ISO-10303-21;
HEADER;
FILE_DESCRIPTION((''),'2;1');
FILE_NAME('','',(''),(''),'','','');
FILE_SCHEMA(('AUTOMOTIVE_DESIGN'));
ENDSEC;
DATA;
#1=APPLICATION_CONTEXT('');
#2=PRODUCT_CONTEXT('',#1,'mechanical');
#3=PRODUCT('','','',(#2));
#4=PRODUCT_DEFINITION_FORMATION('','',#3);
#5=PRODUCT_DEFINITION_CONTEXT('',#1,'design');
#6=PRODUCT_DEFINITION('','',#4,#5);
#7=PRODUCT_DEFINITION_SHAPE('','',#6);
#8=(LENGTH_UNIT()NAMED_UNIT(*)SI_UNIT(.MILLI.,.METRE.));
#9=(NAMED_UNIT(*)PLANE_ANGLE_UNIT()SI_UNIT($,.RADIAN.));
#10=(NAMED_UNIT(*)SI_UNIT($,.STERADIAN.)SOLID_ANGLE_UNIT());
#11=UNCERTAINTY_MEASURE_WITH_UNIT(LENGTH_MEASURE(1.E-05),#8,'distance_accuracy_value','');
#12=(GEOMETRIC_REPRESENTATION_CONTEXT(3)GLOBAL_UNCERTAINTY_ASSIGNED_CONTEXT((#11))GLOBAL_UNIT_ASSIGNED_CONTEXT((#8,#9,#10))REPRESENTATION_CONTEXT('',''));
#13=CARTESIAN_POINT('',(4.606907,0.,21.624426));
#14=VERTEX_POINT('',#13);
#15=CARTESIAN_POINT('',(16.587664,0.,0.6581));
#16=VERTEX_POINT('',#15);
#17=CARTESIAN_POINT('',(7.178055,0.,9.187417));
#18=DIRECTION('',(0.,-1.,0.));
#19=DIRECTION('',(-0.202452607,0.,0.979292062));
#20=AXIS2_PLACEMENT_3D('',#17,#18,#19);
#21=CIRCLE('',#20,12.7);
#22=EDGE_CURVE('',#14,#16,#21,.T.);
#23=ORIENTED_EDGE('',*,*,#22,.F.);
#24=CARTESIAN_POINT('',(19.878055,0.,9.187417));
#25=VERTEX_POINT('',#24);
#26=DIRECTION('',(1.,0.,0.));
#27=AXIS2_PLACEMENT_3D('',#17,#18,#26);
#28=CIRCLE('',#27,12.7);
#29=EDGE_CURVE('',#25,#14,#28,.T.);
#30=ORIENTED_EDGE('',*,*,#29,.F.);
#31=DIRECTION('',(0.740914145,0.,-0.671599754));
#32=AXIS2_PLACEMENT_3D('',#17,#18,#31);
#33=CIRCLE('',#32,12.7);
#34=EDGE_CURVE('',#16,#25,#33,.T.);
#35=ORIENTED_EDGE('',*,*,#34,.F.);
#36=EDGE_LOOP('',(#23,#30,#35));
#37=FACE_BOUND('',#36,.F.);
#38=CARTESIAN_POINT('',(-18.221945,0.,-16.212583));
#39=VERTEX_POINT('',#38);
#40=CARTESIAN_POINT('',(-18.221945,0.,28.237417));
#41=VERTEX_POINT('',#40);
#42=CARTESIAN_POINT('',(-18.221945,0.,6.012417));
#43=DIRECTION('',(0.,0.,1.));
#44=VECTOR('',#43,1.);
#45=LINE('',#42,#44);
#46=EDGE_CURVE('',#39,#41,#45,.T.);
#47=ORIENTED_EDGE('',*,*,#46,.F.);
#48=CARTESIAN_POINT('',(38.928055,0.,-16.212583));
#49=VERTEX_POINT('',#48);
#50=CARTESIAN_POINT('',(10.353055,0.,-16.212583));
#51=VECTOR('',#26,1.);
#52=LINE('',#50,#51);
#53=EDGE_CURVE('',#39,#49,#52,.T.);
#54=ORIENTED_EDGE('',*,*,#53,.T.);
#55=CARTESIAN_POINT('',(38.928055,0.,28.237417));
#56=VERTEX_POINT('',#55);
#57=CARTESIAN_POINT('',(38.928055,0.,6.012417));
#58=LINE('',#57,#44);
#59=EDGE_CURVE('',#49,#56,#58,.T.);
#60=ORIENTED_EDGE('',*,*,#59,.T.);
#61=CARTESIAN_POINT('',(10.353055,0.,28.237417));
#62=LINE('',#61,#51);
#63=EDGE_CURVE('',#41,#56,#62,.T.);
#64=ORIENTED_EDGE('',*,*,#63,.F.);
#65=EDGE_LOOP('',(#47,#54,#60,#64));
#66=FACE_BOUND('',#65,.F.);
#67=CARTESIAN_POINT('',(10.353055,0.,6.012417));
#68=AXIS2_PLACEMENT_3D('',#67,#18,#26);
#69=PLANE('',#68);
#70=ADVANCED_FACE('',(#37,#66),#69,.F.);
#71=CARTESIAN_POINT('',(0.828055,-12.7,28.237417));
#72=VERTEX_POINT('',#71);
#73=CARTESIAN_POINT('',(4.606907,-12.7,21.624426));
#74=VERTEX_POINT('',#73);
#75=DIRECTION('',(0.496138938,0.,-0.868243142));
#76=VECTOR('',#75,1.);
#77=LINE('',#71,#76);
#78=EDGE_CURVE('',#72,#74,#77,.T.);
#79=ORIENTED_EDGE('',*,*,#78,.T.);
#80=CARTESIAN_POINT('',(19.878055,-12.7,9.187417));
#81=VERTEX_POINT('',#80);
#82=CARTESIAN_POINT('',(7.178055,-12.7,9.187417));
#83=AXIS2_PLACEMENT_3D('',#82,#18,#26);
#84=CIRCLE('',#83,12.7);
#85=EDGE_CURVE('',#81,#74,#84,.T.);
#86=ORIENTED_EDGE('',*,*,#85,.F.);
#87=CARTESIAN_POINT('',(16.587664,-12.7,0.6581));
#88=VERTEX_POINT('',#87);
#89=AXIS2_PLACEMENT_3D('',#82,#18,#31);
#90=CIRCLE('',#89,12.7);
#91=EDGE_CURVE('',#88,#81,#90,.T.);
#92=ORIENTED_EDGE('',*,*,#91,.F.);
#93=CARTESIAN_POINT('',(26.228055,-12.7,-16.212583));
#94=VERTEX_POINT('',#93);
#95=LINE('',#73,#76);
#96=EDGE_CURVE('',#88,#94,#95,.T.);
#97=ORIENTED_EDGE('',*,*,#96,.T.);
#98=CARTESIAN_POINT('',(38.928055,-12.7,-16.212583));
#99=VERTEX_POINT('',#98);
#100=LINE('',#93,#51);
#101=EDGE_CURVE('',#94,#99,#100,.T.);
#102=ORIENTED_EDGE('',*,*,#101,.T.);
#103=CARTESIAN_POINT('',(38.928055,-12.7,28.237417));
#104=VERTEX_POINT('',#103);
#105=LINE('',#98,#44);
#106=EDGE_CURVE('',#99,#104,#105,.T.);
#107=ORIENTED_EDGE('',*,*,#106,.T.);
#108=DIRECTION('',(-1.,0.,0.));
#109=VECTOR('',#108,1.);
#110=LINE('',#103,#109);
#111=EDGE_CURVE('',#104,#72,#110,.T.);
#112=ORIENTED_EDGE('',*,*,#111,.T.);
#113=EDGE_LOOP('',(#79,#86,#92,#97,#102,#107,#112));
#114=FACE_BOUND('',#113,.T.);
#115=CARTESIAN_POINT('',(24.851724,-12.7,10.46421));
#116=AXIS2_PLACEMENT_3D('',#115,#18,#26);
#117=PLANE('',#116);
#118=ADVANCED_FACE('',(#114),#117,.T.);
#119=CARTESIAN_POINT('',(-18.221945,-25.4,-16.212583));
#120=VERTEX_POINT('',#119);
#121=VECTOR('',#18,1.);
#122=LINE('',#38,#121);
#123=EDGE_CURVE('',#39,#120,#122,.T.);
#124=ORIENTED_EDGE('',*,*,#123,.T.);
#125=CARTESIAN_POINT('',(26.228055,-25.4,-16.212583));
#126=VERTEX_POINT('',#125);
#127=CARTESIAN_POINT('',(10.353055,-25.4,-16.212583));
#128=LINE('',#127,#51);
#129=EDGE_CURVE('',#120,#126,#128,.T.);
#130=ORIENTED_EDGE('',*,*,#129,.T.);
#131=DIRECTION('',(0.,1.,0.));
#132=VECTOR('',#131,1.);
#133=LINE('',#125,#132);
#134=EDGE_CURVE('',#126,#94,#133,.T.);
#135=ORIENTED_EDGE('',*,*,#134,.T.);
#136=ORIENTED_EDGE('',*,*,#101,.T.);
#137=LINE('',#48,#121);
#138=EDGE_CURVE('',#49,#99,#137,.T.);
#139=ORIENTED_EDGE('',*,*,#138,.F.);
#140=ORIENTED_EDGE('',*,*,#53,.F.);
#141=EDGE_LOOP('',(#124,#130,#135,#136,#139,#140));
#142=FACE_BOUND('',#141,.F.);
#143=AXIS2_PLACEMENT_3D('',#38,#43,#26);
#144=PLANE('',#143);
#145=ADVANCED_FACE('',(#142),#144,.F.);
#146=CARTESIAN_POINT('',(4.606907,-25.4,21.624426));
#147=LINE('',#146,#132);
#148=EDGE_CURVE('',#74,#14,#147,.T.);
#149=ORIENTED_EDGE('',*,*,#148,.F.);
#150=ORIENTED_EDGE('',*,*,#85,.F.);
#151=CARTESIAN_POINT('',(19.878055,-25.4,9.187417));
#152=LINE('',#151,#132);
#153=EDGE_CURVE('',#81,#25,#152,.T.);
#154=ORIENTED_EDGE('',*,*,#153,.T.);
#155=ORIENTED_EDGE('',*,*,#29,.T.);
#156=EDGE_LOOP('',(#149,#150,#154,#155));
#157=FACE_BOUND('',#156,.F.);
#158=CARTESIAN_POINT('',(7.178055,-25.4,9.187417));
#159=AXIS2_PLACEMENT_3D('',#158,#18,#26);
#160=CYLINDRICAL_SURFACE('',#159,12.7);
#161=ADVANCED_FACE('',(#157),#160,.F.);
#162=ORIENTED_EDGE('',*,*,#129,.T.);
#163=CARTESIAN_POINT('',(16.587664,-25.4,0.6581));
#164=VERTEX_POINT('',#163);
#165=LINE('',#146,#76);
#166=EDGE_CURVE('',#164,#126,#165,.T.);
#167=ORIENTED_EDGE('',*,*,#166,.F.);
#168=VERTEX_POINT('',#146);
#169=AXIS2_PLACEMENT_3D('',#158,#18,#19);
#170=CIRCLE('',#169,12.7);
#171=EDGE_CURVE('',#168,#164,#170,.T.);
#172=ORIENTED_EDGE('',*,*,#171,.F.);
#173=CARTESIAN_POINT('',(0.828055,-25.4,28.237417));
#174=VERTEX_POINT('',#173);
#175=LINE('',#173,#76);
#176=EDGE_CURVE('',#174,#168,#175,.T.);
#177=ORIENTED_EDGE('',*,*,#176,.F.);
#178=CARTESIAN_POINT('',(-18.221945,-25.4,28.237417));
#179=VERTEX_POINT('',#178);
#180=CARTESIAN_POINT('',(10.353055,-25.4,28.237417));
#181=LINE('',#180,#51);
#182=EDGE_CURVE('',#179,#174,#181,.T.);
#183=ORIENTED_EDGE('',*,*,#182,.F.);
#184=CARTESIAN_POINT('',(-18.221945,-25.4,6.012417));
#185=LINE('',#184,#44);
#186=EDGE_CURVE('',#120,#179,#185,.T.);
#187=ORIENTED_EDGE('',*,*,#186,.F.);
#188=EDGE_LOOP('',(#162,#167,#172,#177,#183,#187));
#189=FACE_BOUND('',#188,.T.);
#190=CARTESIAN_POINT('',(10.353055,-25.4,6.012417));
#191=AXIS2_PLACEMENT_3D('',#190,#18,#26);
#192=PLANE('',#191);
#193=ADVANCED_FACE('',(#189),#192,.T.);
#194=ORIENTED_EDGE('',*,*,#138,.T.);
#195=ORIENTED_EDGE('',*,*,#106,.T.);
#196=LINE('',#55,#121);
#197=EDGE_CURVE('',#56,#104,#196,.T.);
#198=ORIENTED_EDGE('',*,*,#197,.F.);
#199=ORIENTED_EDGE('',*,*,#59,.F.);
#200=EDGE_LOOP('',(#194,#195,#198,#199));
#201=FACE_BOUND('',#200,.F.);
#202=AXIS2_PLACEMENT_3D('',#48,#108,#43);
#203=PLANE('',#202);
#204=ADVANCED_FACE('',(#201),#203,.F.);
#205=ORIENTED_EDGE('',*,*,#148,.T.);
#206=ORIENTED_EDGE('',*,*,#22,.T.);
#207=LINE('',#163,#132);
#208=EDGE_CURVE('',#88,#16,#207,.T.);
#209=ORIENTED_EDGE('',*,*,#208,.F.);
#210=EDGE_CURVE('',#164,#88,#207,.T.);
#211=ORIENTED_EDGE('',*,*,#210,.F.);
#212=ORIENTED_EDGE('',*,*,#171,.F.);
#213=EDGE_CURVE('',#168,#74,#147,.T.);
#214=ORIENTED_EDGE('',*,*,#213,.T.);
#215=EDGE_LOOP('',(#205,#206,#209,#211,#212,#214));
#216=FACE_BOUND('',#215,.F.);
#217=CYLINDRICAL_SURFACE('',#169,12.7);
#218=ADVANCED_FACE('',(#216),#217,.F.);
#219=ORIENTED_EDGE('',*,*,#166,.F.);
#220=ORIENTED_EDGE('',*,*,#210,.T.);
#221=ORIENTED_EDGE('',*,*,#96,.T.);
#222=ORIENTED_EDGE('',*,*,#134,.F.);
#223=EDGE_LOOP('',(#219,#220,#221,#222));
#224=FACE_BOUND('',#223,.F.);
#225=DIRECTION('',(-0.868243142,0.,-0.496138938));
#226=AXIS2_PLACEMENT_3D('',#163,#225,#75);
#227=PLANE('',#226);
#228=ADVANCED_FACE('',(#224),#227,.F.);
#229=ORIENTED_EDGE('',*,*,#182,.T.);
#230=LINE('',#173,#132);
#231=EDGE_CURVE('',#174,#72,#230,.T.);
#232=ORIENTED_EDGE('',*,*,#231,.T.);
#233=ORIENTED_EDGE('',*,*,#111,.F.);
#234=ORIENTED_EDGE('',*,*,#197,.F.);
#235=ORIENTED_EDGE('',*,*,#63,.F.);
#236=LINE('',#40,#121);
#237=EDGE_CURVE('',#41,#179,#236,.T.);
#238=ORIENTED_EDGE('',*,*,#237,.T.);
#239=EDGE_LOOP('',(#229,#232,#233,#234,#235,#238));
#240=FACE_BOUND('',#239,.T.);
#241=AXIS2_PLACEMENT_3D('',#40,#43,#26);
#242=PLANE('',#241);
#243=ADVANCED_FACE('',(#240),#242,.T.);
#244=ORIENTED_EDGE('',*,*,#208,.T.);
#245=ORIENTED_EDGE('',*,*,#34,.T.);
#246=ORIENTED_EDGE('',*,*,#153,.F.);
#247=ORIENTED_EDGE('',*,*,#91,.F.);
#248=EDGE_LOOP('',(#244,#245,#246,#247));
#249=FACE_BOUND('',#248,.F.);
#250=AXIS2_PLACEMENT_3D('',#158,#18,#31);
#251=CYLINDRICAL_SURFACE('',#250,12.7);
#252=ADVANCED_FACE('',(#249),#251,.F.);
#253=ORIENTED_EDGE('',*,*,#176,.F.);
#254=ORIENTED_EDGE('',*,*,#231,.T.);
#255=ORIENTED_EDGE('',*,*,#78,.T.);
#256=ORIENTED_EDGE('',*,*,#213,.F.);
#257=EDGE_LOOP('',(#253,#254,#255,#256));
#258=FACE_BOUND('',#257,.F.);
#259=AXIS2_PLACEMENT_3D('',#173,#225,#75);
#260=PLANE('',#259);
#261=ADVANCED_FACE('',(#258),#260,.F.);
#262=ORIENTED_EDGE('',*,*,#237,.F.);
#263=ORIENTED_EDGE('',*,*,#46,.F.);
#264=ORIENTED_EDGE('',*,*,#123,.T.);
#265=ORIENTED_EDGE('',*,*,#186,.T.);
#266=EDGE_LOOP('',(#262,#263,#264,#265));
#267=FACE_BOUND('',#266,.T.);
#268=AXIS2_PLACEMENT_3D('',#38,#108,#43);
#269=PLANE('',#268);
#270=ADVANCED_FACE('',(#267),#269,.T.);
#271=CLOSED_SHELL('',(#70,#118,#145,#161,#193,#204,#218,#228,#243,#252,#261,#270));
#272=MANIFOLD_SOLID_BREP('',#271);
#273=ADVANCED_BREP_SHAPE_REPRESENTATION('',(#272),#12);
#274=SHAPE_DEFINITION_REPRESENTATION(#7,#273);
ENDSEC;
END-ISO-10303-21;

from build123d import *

# Parameters (mm, degrees)
F0_W     = 57.15
F0_H     = 44.45
F1_DEPTH = 25.4
F3_DEPTH = 25.4
F4_DEPTH = 12.7


with BuildPart() as f1:
    # F0 (on Front) → F1 (new body)
    with BuildSketch(Plane.XZ):
        with Locations((10.3530548513, 6.0124166765)):
            Rectangle(F0_W, F0_H)
    extrude(amount=F1_DEPTH)

    # F2 (on face) → F3 (cut)
    with BuildSketch(Plane.XZ.offset(25.4)):
        with BuildLine():
            Line((16.5876644945, 0.6580998009), (4.6069067466, 21.6244258597))
            ThreePointArc((4.6069067466, 21.6244258597), (-3.8486330537, 2.8864521594), (16.5876644945, 0.6580998009))
        make_face()
        with BuildLine():
            ThreePointArc((19.8780548513, 9.1874166765), (15.1979182875, 19.034842252), (4.6069067466, 21.6244258597))
            Line((4.6069067466, 21.6244258597), (16.5876644945, 0.6580998009))
            ThreePointArc((16.5876644945, 0.6580998009), (19.0269375511, 4.616423484), (19.8780548513, 9.1874166765))
        make_face()
    extrude(amount=-F3_DEPTH, mode=Mode.SUBTRACT)

    # F2 (on face) → F4 (cut)
    with BuildSketch(Plane.XZ.offset(25.4)):
        with BuildLine():
            Line((38.9280548513, 28.2374166765), (0.8280548513, 28.2374166765))
            Line((0.8280548513, 28.2374166765), (4.6069067466, 21.6244258597))
            ThreePointArc((4.6069067466, 21.6244258597), (15.1979182875, 19.034842252), (19.8780548513, 9.1874166765))
            ThreePointArc((19.8780548513, 9.1874166765), (19.0269375511, 4.616423484), (16.5876644945, 0.6580998009))
            Line((16.5876644945, 0.6580998009), (26.2280548513, -16.2125833235))
            Line((26.2280548513, -16.2125833235), (38.9280548513, -16.2125833235))
            Line((38.9280548513, -16.2125833235), (38.9280548513, 28.2374166765))
        make_face()
        with BuildLine():
            ThreePointArc((19.8780548513, 9.1874166765), (15.1979182875, 19.034842252), (4.6069067466, 21.6244258597))
            Line((4.6069067466, 21.6244258597), (16.5876644945, 0.6580998009))
            ThreePointArc((16.5876644945, 0.6580998009), (19.0269375511, 4.616423484), (19.8780548513, 9.1874166765))
        make_face()
        with BuildLine():
            Line((16.5876644945, 0.6580998009), (4.6069067466, 21.6244258597))
            ThreePointArc((4.6069067466, 21.6244258597), (-3.8486330537, 2.8864521594), (16.5876644945, 0.6580998009))
        make_face()
    extrude(amount=-F4_DEPTH, mode=Mode.SUBTRACT)


solid = f1.part
